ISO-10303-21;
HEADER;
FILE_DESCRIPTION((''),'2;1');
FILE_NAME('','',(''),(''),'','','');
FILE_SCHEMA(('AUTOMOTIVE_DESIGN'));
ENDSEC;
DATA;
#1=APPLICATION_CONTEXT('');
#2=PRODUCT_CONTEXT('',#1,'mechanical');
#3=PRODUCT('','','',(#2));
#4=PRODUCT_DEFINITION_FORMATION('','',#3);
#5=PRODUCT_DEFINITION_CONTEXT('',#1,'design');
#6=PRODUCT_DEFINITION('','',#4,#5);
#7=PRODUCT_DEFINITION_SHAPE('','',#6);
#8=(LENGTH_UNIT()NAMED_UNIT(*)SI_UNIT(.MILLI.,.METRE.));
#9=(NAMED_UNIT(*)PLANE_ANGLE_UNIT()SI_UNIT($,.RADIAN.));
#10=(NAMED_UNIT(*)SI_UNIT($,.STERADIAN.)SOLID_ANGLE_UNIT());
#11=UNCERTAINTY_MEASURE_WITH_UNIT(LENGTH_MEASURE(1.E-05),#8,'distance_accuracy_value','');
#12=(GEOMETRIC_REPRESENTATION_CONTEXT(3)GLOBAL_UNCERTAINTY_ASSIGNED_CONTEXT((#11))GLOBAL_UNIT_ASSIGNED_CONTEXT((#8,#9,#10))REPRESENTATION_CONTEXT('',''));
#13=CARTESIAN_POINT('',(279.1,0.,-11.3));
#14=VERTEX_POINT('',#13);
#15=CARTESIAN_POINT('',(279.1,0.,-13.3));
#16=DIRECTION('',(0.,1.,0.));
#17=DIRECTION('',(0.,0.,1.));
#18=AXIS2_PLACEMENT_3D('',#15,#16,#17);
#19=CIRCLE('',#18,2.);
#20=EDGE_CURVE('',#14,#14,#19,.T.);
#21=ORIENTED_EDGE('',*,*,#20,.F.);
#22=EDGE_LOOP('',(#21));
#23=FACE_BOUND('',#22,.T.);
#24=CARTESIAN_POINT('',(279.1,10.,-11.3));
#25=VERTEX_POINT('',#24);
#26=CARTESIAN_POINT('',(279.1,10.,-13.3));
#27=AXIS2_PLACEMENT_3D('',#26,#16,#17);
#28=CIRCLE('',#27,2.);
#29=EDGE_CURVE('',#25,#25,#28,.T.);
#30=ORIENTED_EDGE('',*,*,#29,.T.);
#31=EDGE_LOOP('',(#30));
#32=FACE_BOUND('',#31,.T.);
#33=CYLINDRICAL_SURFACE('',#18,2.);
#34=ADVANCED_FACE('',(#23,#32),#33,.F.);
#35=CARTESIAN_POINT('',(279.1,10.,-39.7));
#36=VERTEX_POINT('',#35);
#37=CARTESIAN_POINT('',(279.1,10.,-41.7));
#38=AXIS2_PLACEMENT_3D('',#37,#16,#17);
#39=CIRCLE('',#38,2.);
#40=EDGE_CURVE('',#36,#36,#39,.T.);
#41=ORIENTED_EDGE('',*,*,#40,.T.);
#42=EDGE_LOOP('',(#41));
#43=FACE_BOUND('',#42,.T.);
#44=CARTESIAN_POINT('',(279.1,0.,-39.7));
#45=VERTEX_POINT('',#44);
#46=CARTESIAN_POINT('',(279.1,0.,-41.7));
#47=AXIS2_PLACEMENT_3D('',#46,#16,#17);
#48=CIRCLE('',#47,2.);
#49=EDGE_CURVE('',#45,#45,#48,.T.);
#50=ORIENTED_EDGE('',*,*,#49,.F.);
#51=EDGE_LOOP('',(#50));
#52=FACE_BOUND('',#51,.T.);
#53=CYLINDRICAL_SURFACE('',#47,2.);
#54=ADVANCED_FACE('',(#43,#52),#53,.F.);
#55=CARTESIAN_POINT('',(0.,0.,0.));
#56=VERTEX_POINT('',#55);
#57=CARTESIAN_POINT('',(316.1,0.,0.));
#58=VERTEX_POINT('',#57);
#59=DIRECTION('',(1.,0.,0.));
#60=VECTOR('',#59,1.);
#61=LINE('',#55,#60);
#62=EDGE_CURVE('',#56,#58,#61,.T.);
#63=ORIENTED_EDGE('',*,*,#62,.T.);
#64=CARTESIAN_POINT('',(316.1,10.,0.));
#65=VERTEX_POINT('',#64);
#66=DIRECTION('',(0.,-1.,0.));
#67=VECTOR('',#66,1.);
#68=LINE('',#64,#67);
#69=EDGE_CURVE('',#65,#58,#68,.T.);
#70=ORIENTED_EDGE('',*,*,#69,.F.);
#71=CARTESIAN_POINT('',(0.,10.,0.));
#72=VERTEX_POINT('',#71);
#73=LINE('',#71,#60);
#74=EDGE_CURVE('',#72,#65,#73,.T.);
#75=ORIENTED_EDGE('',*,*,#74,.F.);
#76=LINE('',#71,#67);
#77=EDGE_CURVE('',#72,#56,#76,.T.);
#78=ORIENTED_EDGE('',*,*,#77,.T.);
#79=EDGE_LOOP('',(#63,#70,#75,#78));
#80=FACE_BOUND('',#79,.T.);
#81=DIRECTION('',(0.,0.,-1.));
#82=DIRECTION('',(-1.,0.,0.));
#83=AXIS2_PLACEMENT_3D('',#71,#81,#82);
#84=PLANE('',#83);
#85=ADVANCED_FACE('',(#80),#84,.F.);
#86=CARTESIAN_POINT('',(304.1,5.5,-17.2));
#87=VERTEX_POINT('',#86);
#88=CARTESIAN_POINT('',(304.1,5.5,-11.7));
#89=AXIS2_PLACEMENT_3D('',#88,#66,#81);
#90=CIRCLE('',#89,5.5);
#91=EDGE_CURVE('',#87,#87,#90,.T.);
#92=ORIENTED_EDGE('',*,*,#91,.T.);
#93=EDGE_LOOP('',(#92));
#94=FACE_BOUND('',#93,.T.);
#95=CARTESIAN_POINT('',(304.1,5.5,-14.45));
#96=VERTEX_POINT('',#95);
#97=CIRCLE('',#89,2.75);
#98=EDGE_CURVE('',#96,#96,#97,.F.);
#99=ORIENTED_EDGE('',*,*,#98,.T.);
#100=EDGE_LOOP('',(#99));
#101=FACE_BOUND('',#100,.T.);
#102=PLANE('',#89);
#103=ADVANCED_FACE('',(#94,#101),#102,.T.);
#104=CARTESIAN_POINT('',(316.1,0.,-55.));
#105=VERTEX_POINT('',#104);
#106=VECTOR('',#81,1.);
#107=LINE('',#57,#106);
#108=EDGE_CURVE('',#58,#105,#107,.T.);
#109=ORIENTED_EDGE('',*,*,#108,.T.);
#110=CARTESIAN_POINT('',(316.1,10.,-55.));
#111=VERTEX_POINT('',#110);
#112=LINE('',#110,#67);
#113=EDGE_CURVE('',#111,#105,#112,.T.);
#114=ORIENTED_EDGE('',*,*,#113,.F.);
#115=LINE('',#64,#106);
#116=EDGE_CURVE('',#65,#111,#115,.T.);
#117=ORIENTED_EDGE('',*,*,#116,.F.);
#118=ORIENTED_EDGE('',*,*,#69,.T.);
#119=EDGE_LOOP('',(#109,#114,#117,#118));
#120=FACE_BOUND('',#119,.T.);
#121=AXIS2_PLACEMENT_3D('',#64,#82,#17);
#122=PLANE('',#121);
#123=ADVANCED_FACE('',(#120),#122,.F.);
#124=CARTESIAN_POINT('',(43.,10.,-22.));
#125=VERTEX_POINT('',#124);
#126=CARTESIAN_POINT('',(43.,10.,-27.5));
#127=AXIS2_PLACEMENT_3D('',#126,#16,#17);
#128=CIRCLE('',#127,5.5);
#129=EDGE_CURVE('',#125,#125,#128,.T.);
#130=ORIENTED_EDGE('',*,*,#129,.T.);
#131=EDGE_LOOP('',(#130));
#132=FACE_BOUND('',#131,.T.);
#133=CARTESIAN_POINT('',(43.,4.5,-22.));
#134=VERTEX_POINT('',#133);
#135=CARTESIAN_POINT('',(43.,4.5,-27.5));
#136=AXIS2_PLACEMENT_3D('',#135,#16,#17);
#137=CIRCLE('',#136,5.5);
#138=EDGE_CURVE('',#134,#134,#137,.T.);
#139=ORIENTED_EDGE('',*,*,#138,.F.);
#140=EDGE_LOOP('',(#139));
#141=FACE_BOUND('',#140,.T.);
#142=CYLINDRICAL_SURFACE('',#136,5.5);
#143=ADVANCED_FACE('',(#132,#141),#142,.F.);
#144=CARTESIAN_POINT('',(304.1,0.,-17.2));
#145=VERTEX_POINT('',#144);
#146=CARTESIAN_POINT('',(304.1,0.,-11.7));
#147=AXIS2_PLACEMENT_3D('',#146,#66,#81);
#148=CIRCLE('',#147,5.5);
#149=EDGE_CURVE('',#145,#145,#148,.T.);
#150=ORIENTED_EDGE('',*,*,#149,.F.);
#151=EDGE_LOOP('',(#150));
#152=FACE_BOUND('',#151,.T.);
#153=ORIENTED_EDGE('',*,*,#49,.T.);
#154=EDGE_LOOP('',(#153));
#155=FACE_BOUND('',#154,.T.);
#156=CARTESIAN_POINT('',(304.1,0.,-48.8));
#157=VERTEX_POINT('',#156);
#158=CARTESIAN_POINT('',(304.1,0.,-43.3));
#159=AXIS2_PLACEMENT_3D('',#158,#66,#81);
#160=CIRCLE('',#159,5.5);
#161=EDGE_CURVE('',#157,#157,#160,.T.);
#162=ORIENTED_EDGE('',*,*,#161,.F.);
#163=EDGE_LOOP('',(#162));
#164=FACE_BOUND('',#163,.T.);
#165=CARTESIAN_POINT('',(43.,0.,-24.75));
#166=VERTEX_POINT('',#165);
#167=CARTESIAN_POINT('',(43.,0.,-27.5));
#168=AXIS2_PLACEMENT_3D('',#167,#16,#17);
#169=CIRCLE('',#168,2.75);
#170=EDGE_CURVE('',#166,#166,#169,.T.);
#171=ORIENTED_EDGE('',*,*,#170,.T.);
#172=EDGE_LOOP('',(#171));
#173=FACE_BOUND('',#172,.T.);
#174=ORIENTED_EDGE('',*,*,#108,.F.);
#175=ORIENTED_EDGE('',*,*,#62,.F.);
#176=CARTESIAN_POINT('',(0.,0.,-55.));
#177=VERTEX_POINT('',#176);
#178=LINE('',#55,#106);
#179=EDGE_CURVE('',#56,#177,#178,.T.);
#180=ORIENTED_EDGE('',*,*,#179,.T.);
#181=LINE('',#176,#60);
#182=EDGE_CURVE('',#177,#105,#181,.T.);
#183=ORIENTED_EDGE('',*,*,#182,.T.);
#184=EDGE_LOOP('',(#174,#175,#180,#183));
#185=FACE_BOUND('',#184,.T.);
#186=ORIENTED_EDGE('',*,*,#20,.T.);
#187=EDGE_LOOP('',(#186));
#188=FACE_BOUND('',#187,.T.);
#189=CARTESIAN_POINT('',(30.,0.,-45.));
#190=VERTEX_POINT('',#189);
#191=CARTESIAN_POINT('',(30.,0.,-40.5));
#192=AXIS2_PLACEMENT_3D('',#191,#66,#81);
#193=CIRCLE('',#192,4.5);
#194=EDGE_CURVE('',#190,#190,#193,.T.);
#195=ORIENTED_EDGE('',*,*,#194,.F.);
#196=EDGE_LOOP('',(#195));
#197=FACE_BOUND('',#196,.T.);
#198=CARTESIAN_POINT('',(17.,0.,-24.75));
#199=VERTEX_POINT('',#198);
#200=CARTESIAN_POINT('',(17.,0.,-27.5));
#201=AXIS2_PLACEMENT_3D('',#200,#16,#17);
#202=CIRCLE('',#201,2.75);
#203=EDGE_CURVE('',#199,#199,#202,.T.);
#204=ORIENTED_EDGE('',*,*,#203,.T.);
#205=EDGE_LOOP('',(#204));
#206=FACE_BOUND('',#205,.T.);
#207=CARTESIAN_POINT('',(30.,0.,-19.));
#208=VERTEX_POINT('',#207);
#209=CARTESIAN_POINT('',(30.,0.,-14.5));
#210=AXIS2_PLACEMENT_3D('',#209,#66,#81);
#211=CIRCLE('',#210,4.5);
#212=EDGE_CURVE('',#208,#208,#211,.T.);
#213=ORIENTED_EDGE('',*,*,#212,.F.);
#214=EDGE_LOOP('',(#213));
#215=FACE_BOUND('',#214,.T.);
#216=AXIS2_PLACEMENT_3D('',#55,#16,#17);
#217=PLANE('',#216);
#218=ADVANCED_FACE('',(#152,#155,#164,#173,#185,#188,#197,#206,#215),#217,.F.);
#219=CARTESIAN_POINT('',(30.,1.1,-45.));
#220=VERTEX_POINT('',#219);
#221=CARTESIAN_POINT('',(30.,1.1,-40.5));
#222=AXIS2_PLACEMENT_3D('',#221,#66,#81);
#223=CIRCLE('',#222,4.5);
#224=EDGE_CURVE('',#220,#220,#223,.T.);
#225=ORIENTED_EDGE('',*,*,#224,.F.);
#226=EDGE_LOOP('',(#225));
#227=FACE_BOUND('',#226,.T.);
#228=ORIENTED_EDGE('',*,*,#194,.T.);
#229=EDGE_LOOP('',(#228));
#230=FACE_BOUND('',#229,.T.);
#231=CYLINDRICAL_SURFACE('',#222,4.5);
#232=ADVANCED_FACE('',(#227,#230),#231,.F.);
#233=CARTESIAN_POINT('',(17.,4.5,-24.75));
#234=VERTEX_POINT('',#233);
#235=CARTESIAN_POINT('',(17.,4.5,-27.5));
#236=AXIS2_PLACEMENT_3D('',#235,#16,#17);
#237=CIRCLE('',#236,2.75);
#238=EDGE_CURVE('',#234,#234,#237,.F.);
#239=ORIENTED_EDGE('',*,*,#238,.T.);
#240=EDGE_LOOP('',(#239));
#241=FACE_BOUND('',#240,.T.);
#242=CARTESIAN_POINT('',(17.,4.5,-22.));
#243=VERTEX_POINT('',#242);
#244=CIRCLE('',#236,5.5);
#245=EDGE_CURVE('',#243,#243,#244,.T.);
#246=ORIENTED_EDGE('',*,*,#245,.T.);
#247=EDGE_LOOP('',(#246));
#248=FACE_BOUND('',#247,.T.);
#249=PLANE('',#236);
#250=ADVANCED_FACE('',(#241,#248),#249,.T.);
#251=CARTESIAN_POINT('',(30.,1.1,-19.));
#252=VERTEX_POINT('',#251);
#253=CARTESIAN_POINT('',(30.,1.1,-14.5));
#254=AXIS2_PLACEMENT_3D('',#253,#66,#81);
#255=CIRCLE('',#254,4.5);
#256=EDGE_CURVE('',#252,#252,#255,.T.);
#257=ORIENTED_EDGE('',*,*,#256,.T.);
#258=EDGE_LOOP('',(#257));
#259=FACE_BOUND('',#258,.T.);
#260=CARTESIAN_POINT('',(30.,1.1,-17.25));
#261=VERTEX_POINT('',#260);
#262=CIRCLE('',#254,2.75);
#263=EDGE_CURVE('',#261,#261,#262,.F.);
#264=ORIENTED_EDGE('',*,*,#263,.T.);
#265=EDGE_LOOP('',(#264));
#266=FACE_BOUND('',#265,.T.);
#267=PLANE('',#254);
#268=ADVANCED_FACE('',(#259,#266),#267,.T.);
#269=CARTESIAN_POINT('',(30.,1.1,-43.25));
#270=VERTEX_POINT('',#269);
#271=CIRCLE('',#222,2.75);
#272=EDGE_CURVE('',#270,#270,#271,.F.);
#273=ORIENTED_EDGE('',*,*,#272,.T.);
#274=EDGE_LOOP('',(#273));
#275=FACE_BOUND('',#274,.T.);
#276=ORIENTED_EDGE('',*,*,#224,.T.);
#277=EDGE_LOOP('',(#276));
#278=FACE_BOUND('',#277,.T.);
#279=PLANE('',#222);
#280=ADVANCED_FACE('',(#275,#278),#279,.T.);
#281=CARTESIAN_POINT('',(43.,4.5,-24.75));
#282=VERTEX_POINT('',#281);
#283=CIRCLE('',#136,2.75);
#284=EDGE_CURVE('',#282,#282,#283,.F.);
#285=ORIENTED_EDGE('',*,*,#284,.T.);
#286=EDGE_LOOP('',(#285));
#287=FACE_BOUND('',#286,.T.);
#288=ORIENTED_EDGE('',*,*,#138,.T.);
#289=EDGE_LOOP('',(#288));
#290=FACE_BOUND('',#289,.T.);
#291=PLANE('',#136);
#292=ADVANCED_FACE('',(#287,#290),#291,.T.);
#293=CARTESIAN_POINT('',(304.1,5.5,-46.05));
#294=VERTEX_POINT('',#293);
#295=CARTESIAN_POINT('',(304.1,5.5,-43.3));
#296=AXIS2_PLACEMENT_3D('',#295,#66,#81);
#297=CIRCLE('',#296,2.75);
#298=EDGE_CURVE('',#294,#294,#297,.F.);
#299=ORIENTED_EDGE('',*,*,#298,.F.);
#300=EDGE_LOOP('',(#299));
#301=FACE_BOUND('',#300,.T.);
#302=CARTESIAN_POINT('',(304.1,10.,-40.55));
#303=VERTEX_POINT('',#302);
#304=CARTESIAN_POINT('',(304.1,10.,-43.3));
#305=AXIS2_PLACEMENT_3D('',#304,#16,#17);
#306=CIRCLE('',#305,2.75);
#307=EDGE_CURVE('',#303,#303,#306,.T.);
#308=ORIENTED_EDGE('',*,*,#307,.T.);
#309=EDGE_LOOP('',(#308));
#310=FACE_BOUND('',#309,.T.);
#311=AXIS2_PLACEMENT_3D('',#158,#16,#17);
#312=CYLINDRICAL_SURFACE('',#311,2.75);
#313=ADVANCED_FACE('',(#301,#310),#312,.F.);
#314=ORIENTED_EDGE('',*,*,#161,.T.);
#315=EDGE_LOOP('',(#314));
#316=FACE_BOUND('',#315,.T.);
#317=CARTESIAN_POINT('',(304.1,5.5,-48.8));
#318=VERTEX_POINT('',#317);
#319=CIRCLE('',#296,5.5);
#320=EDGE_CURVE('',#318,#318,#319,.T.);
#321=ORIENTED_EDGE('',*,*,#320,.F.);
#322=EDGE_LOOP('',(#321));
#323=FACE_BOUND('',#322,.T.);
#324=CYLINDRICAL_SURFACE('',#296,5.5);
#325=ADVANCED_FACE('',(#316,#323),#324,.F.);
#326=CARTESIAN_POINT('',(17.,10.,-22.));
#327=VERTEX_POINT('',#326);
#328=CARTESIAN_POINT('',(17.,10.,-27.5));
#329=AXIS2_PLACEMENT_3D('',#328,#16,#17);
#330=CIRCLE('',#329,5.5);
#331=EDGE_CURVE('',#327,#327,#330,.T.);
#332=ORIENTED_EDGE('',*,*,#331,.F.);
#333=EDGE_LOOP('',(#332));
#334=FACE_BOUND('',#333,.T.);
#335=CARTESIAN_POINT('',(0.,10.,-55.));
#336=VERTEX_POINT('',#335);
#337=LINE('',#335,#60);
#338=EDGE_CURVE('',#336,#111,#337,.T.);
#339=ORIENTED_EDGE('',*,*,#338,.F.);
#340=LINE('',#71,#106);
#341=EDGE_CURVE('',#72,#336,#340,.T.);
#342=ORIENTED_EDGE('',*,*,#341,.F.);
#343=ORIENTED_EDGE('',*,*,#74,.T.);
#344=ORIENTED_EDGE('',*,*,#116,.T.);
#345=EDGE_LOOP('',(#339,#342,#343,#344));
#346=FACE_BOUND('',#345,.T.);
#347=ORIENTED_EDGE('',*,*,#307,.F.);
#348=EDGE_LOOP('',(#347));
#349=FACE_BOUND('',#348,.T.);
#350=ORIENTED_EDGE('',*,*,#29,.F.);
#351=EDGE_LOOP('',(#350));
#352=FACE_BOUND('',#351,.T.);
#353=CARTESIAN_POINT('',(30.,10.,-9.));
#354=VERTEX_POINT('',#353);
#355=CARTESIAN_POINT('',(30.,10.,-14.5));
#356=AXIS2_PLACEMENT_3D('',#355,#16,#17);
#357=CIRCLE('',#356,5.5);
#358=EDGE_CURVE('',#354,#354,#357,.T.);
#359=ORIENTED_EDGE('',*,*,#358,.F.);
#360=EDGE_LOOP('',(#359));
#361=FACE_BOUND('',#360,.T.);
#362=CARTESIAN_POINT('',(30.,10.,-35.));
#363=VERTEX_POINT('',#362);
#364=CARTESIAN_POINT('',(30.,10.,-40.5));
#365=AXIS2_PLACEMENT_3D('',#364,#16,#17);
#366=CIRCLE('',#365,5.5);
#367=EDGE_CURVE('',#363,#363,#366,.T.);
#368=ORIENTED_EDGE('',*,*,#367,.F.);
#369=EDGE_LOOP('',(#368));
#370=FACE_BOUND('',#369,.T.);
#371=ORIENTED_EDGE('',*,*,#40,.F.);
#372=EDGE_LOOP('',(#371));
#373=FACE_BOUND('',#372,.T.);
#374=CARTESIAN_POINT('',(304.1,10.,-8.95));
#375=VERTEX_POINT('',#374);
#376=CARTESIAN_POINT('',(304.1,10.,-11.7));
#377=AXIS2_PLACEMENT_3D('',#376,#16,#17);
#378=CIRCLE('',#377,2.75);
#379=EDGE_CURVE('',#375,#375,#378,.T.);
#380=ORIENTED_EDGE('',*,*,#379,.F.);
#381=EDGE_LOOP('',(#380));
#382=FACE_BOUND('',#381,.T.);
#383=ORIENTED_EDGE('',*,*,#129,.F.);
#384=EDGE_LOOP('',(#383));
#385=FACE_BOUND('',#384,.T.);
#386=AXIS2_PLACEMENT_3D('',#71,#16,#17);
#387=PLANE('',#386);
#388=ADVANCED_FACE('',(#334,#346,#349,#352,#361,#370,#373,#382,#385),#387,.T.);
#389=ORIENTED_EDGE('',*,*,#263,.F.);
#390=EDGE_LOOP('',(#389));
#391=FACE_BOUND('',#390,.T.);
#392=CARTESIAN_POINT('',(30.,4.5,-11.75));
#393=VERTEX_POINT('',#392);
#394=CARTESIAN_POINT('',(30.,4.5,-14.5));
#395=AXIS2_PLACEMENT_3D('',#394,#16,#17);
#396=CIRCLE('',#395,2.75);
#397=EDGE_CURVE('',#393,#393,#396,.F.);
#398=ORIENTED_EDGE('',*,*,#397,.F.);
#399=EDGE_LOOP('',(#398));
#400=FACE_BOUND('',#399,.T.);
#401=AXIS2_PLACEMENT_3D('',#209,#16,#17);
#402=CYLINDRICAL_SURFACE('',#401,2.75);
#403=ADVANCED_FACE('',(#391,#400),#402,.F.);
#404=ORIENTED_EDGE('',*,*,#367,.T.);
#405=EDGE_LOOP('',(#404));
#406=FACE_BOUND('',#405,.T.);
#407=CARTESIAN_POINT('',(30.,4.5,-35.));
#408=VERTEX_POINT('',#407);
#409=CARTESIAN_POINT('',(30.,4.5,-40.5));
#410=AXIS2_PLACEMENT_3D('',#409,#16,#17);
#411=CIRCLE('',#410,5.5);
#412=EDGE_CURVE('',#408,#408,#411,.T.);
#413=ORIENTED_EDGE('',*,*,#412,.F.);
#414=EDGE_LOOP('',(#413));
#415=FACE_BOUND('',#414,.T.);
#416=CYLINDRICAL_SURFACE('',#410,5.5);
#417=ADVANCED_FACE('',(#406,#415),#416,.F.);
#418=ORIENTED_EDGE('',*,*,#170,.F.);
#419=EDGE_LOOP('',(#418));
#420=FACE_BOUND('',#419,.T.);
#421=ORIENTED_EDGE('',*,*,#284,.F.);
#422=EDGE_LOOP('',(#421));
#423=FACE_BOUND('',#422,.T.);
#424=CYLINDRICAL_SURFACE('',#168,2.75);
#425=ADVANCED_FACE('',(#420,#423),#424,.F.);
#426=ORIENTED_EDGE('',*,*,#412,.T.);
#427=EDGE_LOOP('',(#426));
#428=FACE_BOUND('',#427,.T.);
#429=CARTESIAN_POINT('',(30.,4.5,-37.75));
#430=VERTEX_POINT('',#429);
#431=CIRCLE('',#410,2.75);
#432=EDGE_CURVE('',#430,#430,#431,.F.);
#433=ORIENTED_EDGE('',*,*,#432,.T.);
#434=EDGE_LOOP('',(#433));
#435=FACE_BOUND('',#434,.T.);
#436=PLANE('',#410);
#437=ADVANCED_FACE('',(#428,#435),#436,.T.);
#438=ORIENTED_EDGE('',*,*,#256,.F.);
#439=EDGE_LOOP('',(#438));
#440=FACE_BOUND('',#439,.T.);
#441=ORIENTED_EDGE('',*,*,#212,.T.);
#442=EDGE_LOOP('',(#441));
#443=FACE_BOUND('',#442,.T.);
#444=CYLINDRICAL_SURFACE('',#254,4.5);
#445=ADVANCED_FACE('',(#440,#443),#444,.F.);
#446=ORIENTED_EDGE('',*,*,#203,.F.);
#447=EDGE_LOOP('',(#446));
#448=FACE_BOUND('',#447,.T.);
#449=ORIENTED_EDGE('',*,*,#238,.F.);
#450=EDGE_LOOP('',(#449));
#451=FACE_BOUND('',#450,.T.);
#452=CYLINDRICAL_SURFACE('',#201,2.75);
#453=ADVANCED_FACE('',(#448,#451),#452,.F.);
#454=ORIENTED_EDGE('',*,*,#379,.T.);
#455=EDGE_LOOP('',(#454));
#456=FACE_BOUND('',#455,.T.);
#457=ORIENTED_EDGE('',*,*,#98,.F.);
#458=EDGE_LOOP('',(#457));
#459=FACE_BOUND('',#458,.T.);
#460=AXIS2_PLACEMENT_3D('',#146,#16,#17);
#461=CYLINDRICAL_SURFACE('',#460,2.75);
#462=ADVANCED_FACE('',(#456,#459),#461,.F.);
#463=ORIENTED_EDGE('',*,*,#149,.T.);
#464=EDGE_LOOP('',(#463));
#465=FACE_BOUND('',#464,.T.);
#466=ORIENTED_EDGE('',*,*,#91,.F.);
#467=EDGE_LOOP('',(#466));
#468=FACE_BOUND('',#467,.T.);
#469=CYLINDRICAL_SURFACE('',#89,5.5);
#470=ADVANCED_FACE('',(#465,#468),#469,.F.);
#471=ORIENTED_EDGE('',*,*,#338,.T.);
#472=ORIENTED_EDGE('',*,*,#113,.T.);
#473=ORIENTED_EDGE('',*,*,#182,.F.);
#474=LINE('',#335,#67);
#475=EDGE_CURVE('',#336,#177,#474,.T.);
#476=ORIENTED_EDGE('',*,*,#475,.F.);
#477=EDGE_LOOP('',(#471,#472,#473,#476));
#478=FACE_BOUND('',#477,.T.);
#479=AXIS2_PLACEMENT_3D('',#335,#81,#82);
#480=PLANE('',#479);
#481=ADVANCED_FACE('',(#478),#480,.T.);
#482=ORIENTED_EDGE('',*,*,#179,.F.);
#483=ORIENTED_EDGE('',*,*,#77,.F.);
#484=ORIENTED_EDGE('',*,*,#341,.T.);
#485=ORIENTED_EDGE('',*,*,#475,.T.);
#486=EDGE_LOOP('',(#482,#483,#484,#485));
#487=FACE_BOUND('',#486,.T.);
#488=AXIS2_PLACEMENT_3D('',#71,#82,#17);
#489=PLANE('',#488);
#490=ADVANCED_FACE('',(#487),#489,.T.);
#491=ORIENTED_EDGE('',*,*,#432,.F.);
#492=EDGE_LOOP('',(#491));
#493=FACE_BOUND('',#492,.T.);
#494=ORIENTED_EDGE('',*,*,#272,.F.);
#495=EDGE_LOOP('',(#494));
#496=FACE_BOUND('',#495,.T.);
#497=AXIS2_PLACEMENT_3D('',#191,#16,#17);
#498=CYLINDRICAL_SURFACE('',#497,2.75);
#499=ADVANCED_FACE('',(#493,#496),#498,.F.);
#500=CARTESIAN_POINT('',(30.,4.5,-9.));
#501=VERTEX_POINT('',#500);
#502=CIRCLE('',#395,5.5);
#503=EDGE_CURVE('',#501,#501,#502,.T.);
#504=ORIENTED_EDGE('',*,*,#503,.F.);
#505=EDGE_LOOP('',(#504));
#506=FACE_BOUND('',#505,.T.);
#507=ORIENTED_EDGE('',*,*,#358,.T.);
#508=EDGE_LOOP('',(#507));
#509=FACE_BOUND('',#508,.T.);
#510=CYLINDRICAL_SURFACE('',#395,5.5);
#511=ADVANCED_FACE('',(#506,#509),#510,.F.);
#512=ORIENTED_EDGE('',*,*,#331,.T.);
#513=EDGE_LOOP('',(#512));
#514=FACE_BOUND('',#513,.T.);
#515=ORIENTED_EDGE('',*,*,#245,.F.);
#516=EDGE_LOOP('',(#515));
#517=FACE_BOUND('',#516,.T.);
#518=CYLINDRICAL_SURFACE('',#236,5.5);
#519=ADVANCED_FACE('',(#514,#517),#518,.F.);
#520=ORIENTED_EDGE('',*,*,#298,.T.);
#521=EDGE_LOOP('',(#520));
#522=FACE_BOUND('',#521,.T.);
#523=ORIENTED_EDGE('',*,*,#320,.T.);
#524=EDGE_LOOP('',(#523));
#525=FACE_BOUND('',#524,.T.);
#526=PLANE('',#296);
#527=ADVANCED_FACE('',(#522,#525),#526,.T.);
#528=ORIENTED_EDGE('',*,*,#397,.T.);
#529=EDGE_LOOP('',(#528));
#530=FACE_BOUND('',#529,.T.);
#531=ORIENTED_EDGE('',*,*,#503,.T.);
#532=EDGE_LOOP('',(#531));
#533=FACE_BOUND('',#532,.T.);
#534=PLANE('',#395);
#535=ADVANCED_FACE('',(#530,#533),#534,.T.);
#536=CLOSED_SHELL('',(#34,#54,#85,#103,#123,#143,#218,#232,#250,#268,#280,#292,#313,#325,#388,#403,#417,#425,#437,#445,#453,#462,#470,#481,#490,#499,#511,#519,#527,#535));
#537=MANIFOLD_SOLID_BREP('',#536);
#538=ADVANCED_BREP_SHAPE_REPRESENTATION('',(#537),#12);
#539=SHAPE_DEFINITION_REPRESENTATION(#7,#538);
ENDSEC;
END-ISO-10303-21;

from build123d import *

# Parameters (mm, degrees)
SKETCH1_W           = 316.1
SKETCH1_H           = 55
BOSS_EXTRUDE1_DEPTH = 10
SKETCH2_R           = 2
SKETCH2_R_2         = 2.75
CUT_EXTRUDE1_DEPTH  = 11
SKETCH3_R           = 5.5
CUT_EXTRUDE2_DEPTH  = 5.5
SKETCH4_R           = 2.75
CUT_EXTRUDE3_DEPTH  = 11
SKETCH6_R           = 4.5
CUT_EXTRUDE4_DEPTH  = 1.1
SKETCH7_R           = 5.5
CUT_EXTRUDE5_DEPTH  = 5.5


with BuildPart() as part:
    # Sketch1 → Boss-Extrude1 (new body)
    with BuildSketch(Plane(origin=(0, 0, 0), x_dir=(1, 0, 0), z_dir=(0, 1, 0))):
        with Locations((158.05, 27.5)):
            Rectangle(SKETCH1_W, SKETCH1_H)
    extrude(amount=BOSS_EXTRUDE1_DEPTH)

    # Sketch2 → Cut-Extrude1 (cut, through all)
    with BuildSketch(Plane(origin=(0, 10, 0), x_dir=(1, 0, 0), z_dir=(0, 1, 0))):
        with Locations((279.1, 13.3)):
            Circle(SKETCH2_R)
        with Locations((279.1, 41.7)):
            Circle(SKETCH2_R)
        with Locations((304.1, 43.3)):
            Circle(SKETCH2_R_2)
        with Locations((304.1, 11.7)):
            Circle(SKETCH2_R_2)
    extrude(amount=-CUT_EXTRUDE1_DEPTH, mode=Mode.SUBTRACT)

    # Sketch3 → Cut-Extrude2 (cut)
    with BuildSketch(Plane.XZ):
        with Locations((304.1, -11.7)):
            Circle(SKETCH3_R)
        with Locations((304.1, -43.3)):
            Circle(SKETCH3_R)
    extrude(amount=-CUT_EXTRUDE2_DEPTH, mode=Mode.SUBTRACT)

    # Sketch4 → Cut-Extrude3 (cut, through all)
    with BuildSketch(Plane(origin=(0, 10, 0), x_dir=(1, 0, 0), z_dir=(0, 1, 0))):
        with Locations((17, 27.5)):
            Circle(SKETCH4_R)
        with Locations((30, 40.5)):
            Circle(SKETCH4_R)
        with Locations((43, 27.5)):
            Circle(SKETCH4_R)
        with Locations((30, 14.5)):
            Circle(SKETCH4_R)
    extrude(amount=-CUT_EXTRUDE3_DEPTH, mode=Mode.SUBTRACT)

    # Sketch6 → Cut-Extrude4 (cut)
    with BuildSketch(Plane.XZ):
        with Locations((30, -14.5)):
            Circle(SKETCH6_R)
        with Locations((30, -40.5)):
            Circle(SKETCH6_R)
    extrude(amount=-CUT_EXTRUDE4_DEPTH, mode=Mode.SUBTRACT)

    # Sketch7 → Cut-Extrude5 (cut)
    with BuildSketch(Plane(origin=(0, 10, 0), x_dir=(1, 0, 0), z_dir=(0, 1, 0))):
        with Locations((17, 27.5)):
            Circle(SKETCH7_R)
        with Locations((30, 40.5)):
            Circle(SKETCH7_R)
        with Locations((43, 27.5)):
            Circle(SKETCH7_R)
        with Locations((30, 14.5)):
            Circle(SKETCH7_R)
    extrude(amount=-CUT_EXTRUDE5_DEPTH, mode=Mode.SUBTRACT)


solid = part.part
